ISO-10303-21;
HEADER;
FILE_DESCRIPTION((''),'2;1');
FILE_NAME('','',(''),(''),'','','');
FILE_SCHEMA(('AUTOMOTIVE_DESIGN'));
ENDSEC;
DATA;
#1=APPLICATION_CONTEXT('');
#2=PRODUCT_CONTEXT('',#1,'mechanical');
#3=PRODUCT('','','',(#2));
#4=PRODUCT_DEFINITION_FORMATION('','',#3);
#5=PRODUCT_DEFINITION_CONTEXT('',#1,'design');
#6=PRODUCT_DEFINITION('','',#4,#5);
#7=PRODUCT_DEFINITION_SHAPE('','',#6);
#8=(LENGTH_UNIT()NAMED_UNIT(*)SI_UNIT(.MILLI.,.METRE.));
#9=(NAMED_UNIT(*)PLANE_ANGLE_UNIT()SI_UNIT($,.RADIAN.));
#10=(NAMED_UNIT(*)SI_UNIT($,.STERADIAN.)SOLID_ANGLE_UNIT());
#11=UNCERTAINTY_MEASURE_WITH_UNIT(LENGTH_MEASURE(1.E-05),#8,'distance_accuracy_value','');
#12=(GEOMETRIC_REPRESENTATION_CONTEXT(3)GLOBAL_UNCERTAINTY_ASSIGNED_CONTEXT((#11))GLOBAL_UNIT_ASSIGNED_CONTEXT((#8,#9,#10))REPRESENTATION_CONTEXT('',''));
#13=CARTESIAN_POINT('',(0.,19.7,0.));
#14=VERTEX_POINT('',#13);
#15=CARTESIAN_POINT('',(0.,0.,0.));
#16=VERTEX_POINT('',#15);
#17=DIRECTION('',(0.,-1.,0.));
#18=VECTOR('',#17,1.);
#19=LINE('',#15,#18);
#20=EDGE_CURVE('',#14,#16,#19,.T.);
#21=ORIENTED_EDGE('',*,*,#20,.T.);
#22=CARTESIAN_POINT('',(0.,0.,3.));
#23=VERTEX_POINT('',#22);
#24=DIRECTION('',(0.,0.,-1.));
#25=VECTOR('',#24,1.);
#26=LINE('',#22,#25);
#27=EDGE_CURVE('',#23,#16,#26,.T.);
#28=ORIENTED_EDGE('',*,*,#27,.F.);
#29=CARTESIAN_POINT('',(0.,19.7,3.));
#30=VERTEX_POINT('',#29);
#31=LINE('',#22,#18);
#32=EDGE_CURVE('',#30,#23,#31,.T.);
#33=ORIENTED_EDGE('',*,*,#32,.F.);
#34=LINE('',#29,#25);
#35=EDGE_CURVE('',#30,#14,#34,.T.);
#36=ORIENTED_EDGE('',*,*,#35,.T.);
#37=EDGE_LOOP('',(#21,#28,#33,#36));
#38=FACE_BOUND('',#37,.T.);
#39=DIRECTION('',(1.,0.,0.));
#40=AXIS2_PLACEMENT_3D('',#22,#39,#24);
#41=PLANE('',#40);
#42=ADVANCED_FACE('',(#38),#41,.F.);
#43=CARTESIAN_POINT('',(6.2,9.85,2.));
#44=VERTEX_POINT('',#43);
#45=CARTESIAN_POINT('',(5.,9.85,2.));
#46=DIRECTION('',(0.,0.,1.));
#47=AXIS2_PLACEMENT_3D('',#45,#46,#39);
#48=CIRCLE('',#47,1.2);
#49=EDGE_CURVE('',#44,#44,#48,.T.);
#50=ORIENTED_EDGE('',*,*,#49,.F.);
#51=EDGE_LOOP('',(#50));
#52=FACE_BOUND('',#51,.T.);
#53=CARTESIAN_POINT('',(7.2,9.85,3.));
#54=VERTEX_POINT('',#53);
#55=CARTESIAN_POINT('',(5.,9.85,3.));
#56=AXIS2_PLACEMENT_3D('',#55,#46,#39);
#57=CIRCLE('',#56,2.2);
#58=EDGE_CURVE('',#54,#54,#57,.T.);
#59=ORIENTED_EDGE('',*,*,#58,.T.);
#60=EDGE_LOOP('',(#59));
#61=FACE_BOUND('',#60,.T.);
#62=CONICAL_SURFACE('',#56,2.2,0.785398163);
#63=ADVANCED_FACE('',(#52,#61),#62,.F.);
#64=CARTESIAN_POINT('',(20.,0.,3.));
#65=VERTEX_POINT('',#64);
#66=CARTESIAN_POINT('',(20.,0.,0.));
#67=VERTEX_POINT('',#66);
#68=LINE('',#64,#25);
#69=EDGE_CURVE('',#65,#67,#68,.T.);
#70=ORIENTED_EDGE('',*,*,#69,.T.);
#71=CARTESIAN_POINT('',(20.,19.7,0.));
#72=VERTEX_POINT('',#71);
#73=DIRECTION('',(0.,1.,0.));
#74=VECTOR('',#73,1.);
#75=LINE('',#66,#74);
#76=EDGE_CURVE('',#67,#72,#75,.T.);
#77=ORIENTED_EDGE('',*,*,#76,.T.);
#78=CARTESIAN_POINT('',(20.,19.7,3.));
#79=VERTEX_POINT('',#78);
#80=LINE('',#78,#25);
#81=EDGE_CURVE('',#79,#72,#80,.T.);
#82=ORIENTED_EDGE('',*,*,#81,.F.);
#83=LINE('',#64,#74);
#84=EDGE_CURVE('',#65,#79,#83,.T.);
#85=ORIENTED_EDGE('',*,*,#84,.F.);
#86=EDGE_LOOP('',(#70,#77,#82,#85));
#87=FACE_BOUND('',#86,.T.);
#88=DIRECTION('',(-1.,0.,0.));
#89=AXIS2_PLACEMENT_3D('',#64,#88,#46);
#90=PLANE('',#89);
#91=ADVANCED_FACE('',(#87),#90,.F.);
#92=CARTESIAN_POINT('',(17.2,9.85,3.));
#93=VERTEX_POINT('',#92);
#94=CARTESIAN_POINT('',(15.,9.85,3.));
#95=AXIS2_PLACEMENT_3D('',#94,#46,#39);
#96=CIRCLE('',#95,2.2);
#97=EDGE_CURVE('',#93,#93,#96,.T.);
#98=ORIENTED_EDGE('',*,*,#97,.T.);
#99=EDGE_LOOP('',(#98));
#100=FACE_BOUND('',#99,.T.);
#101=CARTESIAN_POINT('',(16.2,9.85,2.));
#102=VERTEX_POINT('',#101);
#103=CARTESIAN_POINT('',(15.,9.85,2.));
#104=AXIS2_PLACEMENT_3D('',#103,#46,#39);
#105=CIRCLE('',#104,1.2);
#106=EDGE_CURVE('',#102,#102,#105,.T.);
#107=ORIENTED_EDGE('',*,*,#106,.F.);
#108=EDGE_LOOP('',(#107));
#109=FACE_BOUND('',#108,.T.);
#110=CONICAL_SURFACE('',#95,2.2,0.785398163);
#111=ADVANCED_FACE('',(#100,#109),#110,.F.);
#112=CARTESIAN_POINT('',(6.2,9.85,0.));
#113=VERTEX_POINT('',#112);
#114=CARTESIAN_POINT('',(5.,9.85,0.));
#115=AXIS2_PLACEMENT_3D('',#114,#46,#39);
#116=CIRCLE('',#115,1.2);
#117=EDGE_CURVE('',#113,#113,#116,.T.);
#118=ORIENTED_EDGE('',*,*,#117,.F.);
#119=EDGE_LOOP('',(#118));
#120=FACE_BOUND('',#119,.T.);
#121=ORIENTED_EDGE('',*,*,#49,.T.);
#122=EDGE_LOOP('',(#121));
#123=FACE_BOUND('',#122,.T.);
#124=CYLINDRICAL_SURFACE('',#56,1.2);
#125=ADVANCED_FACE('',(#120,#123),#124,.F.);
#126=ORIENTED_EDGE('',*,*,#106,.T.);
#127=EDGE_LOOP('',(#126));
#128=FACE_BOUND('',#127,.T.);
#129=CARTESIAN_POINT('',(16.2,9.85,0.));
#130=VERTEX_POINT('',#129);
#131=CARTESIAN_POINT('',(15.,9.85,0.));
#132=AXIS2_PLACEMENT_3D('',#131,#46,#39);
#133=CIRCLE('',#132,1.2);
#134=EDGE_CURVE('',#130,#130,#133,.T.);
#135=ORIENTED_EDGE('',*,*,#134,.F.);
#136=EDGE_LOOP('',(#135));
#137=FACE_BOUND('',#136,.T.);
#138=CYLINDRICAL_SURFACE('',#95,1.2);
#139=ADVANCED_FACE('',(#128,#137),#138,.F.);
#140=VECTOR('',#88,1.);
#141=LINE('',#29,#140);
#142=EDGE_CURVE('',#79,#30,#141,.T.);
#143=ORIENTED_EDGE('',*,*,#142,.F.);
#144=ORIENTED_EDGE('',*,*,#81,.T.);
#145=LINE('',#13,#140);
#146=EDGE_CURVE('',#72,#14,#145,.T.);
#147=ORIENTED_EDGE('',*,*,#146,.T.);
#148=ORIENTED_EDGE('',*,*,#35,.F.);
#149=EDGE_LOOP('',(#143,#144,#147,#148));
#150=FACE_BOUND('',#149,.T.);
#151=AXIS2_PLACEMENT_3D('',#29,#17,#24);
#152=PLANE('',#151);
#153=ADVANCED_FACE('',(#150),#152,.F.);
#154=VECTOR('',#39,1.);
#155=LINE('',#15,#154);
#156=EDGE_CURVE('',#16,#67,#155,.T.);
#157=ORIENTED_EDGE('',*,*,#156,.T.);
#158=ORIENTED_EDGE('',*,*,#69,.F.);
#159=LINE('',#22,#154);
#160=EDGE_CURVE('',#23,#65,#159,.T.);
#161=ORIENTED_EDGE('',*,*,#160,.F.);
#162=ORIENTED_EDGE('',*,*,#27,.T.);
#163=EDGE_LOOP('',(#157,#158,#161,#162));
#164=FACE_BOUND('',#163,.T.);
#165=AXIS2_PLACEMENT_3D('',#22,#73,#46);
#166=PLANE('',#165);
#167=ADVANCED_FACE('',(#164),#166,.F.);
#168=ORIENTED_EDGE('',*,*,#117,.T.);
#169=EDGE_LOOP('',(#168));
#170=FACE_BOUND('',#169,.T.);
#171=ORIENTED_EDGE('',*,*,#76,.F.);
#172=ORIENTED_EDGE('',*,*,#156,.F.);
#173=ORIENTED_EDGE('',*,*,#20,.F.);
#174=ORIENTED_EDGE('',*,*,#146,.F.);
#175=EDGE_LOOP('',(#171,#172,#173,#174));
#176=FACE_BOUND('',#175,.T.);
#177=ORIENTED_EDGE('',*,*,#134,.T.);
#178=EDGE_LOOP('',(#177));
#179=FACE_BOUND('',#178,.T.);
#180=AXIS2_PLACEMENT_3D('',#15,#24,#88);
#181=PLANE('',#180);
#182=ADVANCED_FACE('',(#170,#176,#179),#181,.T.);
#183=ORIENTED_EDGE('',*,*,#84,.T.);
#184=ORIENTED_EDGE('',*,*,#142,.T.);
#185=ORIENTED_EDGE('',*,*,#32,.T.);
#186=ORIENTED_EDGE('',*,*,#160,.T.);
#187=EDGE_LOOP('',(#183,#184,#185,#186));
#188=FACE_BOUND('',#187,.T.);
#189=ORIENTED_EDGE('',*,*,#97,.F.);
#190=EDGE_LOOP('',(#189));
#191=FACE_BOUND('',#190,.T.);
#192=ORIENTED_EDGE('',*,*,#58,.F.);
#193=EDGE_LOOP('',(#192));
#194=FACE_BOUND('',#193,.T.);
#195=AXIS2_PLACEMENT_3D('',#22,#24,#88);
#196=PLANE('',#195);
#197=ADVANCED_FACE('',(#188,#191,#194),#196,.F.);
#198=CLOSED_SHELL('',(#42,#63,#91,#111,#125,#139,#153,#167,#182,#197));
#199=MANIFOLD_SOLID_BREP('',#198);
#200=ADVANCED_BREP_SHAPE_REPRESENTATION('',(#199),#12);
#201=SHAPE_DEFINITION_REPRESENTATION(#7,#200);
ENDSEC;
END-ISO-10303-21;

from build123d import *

# Parameters (mm, degrees)
SCHIZZO1_W                             = 20
SCHIZZO1_H                             = 19.7
ESTRUSIONE_ESTRUSIONE1_DEPTH           = 3
FORO_SVASATO_PER_VITE_M2_2_D           = 2.4
FORO_SVASATO_PER_VITE_M2_2_CSINK_D     = 4.4
FORO_SVASATO_PER_VITE_M2_2_CSINK_ANGLE = 90


with BuildPart() as part:
    # Schizzo1 → Estrusione-Estrusione1 (new body)
    with BuildSketch(Plane.XY):
        with Locations((10, 9.85)):
            Rectangle(SCHIZZO1_W, SCHIZZO1_H)
    extrude(amount=ESTRUSIONE_ESTRUSIONE1_DEPTH)

    # Foro svasato per Vite M2-2 (through all)
    with Locations(Plane.XY.offset(3)):
        with Locations((5, 9.85), (15, 9.85)):
            CounterSinkHole(FORO_SVASATO_PER_VITE_M2_2_D / 2, FORO_SVASATO_PER_VITE_M2_2_CSINK_D / 2, counter_sink_angle=FORO_SVASATO_PER_VITE_M2_2_CSINK_ANGLE)


solid = part.part
